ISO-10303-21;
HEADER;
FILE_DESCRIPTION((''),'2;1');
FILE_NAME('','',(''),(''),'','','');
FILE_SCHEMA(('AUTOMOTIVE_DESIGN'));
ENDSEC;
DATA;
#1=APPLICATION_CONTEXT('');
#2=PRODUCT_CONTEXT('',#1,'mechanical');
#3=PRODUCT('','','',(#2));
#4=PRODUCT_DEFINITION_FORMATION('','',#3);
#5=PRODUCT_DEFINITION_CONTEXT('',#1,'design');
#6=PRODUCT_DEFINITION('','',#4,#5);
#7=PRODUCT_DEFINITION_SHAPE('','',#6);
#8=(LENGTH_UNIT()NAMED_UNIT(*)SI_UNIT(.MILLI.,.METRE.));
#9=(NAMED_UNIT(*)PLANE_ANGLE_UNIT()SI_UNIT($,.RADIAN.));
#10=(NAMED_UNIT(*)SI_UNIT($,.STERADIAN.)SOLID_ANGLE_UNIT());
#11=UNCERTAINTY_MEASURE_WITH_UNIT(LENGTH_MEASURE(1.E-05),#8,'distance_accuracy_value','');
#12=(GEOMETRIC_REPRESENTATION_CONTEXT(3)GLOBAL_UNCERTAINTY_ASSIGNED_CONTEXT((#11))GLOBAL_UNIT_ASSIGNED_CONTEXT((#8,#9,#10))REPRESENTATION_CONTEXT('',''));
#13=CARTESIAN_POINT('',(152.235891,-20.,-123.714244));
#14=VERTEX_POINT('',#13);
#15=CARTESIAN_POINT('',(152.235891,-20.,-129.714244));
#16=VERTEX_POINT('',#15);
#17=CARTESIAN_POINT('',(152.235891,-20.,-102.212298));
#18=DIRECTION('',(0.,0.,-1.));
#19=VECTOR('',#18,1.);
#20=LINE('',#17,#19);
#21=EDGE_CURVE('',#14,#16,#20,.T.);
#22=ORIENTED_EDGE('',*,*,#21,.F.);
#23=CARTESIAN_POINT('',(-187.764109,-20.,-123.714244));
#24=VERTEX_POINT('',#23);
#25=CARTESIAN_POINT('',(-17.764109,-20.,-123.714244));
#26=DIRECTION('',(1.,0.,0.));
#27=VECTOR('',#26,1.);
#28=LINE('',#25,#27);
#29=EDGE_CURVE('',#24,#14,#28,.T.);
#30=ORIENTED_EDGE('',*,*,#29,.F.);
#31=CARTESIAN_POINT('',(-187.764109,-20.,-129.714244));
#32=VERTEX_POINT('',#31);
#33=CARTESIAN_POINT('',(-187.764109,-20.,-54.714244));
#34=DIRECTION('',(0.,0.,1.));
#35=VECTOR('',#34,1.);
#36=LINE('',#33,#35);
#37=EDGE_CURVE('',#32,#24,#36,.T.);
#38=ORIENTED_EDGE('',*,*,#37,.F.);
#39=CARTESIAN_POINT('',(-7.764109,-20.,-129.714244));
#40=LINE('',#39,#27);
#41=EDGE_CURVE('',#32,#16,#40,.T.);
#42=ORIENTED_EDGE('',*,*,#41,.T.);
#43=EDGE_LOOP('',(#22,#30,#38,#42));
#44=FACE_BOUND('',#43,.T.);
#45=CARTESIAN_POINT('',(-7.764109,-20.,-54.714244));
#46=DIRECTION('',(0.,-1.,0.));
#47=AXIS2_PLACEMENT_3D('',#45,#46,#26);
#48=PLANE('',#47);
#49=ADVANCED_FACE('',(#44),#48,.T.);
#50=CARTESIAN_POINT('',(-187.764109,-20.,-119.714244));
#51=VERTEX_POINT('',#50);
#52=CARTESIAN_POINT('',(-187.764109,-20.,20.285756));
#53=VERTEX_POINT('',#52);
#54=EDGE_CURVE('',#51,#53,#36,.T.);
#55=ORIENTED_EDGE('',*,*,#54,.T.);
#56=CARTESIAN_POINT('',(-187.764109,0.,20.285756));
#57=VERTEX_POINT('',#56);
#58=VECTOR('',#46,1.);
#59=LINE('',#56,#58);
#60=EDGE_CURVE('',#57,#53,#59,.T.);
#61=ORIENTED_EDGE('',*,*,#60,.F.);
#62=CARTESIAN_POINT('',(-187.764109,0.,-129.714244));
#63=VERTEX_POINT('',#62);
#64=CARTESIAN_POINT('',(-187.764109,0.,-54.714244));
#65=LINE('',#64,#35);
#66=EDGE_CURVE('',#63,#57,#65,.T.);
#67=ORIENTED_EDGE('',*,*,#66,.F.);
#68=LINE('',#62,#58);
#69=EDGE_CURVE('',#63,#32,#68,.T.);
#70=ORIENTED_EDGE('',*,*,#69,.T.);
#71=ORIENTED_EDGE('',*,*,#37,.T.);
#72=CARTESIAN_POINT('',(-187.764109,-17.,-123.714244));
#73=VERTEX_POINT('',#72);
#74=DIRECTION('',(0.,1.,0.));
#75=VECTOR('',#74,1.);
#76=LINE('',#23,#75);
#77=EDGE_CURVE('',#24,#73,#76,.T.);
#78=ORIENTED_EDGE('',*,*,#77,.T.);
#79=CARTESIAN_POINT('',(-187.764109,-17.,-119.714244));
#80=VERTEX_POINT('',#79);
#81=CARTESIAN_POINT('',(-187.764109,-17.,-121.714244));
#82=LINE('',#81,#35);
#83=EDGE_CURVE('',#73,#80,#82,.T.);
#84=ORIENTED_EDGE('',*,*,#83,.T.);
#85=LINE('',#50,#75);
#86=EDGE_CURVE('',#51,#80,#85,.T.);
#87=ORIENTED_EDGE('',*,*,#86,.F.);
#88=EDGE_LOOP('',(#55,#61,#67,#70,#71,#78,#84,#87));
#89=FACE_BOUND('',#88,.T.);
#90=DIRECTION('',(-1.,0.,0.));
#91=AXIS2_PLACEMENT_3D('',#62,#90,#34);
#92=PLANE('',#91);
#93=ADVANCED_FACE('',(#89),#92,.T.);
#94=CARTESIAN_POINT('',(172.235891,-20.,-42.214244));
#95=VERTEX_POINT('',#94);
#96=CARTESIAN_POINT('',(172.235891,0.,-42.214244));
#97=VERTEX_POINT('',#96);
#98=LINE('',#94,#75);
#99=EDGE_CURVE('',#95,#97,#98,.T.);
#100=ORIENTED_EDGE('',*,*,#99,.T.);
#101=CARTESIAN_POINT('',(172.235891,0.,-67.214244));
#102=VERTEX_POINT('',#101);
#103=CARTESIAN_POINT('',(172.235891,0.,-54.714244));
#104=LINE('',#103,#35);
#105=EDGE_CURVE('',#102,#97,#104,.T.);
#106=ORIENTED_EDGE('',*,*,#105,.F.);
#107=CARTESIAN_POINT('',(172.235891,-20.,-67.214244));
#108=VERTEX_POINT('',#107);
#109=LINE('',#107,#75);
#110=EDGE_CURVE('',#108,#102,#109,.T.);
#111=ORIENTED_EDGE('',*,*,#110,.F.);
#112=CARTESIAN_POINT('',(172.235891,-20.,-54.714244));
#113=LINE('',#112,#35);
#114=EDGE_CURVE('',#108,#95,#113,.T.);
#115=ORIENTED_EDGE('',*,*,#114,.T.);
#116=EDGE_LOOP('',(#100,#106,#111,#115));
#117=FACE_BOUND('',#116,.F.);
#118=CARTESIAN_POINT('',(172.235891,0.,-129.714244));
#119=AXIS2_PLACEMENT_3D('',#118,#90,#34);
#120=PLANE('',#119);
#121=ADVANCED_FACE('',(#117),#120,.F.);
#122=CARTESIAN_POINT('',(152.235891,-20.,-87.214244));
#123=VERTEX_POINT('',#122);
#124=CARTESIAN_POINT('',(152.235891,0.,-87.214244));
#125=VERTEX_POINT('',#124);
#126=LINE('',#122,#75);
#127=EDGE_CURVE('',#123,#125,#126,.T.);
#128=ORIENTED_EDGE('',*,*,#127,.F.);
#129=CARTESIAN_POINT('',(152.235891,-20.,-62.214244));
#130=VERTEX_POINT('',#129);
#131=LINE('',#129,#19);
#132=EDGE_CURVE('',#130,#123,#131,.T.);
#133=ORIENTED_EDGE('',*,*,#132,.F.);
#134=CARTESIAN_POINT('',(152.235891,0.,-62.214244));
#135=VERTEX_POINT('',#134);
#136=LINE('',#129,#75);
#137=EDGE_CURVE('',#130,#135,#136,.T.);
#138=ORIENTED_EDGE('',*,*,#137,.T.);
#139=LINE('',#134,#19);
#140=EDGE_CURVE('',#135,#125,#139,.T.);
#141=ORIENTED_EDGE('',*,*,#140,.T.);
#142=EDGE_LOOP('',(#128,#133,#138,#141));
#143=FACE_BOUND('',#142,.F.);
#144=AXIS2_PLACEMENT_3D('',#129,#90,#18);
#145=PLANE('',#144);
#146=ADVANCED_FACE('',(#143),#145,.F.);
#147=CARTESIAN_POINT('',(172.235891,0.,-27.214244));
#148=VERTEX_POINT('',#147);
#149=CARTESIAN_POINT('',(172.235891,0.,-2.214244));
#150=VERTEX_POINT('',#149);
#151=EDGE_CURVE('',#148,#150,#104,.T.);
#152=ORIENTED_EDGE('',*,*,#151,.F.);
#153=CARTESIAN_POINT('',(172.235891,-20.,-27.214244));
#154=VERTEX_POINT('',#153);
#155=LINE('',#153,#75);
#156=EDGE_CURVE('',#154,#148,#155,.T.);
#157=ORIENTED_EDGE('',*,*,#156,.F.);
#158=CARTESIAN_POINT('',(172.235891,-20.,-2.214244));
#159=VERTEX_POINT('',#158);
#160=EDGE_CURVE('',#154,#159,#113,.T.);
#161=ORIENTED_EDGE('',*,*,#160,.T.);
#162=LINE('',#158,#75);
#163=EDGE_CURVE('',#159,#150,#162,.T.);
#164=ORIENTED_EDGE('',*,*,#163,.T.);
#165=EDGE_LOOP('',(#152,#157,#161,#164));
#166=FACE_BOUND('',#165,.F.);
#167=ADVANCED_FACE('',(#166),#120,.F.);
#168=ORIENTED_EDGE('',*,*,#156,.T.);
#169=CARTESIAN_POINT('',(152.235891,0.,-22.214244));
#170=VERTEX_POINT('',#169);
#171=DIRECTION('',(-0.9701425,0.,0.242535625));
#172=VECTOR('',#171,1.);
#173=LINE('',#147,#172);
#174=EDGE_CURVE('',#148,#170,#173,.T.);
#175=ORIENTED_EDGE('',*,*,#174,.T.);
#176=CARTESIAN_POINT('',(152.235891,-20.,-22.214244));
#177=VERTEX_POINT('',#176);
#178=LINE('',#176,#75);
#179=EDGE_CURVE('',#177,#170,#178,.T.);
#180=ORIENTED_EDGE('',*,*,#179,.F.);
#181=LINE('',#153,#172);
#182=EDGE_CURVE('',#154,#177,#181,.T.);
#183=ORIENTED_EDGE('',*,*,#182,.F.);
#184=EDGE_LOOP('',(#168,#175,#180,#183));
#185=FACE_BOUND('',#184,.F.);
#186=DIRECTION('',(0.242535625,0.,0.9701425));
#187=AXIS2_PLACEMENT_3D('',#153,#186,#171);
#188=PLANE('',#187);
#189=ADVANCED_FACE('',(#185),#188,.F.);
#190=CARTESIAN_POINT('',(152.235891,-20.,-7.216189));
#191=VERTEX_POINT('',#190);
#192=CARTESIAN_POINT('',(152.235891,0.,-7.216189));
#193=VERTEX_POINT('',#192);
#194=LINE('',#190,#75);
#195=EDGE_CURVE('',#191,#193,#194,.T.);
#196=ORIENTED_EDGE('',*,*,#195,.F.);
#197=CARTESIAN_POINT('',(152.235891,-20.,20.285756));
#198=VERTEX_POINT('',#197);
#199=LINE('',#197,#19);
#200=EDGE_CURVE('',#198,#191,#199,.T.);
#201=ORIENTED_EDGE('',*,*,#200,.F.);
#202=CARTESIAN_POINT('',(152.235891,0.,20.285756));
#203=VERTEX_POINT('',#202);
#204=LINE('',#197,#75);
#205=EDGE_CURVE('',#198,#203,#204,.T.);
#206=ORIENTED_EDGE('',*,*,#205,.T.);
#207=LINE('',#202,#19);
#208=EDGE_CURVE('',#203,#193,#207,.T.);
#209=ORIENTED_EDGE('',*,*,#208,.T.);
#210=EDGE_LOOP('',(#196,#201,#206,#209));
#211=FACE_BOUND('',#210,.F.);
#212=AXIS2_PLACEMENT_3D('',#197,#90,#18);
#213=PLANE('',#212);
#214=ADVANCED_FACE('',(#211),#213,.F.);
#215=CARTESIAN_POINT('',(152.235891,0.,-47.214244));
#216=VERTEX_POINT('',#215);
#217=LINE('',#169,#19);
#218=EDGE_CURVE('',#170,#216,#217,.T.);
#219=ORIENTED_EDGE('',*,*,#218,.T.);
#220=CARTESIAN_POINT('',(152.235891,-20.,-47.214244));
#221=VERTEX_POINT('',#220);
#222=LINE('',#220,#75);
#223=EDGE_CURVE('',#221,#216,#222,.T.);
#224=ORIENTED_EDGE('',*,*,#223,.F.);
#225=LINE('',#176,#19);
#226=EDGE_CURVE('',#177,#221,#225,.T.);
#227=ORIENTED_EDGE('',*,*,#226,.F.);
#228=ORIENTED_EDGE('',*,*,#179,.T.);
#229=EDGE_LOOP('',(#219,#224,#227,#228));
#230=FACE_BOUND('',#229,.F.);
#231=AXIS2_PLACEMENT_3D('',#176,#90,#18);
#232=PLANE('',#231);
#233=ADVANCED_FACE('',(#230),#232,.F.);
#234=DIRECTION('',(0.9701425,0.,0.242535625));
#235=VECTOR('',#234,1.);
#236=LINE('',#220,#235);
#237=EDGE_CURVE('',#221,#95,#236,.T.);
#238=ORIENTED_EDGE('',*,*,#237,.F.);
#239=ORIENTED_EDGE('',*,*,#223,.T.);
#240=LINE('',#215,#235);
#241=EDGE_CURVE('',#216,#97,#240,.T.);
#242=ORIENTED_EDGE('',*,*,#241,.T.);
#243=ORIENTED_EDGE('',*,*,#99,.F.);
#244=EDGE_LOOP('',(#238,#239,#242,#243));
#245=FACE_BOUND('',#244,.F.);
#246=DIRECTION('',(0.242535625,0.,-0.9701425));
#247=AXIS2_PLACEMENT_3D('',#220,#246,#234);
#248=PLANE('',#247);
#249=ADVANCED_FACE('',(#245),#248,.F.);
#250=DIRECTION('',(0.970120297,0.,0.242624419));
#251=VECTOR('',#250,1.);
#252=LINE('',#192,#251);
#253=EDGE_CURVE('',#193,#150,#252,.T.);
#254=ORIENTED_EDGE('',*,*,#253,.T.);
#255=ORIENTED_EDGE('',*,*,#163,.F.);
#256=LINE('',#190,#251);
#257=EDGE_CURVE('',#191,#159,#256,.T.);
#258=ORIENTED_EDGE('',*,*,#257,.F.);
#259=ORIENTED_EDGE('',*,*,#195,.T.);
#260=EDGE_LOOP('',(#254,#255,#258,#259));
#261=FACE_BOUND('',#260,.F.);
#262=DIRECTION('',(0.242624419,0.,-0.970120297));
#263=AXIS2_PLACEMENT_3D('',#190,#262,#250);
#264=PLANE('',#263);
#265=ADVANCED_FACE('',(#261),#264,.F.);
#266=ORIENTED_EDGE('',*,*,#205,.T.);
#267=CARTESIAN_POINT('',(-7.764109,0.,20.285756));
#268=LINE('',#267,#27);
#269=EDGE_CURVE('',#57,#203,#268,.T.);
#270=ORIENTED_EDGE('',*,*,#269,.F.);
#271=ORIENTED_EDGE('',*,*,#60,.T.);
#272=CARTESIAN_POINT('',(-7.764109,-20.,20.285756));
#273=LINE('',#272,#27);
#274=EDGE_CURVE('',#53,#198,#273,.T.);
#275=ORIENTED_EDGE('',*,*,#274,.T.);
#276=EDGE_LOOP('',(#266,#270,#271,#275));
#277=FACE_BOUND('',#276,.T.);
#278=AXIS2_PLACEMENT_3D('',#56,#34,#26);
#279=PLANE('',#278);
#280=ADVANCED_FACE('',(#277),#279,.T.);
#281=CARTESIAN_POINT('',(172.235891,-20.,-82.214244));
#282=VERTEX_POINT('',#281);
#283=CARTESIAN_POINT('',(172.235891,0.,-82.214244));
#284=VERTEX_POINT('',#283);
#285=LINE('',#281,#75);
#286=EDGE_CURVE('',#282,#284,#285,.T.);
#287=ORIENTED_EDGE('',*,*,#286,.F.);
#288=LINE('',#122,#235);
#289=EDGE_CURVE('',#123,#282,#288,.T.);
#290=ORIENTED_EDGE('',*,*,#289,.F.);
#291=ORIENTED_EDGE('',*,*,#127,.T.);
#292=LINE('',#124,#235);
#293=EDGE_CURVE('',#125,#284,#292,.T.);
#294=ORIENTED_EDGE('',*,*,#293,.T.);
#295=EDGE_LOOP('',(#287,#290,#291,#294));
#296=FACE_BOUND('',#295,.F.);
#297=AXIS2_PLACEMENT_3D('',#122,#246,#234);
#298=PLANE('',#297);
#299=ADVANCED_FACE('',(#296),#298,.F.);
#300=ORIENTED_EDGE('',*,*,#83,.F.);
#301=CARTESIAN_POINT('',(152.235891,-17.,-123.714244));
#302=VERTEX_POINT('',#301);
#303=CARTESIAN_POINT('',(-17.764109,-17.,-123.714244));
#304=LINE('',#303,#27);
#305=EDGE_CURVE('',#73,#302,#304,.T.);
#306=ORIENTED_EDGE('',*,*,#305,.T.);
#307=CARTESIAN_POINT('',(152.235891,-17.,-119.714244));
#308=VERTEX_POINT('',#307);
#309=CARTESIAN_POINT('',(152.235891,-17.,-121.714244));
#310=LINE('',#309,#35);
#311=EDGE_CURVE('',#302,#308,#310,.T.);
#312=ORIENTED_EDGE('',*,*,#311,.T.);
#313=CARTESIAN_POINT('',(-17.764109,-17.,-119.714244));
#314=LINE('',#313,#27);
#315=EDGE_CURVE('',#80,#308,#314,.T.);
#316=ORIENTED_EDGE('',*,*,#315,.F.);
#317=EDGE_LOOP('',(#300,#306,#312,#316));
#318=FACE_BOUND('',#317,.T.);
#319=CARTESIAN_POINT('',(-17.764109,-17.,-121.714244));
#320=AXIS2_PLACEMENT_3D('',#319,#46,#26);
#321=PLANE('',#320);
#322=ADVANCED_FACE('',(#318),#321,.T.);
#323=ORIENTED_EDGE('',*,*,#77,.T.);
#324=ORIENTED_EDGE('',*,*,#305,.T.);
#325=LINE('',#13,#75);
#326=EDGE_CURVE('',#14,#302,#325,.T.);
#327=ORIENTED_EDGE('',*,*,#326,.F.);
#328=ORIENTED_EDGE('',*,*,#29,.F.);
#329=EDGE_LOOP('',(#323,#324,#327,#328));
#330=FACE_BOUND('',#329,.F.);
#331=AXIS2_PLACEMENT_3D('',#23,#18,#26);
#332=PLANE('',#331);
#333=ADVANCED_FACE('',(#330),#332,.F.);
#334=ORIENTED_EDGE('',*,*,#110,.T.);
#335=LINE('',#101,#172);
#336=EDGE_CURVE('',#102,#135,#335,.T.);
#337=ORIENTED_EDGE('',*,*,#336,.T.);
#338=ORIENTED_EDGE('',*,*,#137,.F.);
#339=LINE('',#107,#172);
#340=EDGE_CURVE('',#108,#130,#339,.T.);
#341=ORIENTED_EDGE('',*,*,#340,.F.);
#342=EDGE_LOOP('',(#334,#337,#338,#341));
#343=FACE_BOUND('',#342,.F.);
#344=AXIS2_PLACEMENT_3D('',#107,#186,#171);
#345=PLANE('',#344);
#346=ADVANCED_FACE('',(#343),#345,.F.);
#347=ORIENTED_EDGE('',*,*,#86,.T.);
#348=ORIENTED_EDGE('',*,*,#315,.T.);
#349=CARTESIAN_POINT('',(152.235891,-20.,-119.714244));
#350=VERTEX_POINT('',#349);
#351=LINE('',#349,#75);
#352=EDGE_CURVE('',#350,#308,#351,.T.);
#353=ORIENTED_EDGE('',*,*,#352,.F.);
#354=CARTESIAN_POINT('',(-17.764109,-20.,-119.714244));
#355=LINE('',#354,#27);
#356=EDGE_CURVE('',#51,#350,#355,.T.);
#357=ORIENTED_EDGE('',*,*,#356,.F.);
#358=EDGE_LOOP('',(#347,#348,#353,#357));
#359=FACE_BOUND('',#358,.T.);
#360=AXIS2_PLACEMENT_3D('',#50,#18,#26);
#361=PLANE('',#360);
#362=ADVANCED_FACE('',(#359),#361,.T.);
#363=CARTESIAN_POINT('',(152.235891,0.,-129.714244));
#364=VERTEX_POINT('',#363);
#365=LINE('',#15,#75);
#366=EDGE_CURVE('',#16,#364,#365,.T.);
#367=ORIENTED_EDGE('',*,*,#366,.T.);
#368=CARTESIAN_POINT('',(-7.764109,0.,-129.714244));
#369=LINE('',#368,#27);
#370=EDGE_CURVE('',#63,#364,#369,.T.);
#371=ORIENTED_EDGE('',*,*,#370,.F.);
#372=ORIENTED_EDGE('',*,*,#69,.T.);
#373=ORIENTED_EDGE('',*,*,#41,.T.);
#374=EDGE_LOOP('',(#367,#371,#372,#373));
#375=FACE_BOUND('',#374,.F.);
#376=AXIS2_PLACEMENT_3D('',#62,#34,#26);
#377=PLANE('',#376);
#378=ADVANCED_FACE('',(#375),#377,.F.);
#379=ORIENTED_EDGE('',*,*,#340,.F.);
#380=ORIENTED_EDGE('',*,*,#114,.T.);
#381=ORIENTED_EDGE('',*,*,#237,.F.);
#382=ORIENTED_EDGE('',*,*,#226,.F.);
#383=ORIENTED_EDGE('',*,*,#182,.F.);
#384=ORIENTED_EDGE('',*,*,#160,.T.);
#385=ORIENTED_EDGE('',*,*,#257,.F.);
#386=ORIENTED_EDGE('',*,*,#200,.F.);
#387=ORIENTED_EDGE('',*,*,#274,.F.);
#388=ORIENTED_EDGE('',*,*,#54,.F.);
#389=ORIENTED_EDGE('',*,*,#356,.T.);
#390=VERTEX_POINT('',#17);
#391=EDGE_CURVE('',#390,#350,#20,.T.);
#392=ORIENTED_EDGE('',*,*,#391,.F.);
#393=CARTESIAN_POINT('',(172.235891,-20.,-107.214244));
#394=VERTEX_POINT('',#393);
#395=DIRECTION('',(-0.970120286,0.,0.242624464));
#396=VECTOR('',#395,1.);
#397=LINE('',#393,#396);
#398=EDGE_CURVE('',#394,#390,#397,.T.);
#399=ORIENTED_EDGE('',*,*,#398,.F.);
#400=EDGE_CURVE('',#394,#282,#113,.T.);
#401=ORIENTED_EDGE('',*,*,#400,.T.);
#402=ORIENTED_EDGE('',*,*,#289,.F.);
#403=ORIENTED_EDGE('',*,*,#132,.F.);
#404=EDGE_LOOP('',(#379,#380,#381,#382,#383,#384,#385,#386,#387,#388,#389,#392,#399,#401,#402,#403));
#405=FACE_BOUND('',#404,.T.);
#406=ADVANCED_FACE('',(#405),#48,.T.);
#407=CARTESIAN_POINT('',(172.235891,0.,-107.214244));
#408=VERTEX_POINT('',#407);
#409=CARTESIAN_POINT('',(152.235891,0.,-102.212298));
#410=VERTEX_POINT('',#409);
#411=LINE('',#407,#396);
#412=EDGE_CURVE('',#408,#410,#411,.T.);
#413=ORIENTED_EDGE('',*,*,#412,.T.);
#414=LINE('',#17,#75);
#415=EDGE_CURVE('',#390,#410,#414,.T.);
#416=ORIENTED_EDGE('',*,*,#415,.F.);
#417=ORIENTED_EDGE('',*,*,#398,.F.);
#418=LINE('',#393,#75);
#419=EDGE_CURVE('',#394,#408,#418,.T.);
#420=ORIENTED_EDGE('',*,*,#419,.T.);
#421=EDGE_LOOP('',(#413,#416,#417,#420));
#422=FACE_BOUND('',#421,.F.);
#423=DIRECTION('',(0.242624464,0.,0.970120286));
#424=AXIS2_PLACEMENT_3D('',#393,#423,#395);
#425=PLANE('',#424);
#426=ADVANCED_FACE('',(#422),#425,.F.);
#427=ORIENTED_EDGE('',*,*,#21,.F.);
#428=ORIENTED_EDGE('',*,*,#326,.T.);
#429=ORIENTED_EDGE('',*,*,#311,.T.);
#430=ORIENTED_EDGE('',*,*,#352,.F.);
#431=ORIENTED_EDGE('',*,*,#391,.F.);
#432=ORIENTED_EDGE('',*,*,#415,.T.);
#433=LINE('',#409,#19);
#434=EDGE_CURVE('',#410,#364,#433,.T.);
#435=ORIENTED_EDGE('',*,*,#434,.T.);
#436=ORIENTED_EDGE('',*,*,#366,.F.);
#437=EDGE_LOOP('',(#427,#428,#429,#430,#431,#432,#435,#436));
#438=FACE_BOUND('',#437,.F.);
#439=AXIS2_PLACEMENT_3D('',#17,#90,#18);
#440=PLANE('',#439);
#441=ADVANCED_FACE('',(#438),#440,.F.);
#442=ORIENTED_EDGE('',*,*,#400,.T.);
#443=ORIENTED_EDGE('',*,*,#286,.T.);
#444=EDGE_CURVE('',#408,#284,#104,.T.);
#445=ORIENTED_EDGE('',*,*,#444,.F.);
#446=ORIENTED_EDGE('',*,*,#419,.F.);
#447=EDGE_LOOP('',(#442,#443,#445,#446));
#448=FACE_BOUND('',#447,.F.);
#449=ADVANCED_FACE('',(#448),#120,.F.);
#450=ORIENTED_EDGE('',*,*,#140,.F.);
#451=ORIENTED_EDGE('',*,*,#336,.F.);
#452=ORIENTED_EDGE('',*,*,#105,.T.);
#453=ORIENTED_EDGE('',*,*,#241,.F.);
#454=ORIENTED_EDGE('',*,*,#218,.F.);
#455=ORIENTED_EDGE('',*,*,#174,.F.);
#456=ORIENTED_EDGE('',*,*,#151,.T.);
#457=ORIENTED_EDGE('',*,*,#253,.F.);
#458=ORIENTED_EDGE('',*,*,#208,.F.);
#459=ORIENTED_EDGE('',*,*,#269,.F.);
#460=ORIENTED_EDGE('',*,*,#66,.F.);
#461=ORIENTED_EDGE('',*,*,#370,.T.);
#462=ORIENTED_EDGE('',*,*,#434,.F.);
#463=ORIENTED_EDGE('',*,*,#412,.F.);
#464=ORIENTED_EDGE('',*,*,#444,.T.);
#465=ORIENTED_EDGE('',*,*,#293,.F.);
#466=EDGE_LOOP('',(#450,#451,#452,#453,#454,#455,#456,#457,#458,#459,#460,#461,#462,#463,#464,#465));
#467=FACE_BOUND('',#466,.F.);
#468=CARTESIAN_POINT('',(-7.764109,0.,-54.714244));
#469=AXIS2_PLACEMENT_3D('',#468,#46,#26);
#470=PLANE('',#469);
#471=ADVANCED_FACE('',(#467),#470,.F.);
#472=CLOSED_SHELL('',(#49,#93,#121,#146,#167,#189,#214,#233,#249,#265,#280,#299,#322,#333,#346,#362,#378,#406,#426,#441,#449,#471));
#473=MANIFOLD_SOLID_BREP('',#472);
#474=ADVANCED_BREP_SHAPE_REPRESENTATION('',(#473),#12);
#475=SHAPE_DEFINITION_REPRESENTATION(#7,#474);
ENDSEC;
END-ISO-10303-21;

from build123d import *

# Parameters (mm, degrees)
F0_W     = 360
F0_H     = 150
F1_DEPTH = 20
F3_DEPTH = 20
F4_W     = 340
F4_H     = 4
F5_DEPTH = 3


with BuildPart() as f1:
    # F0 (on Front) → F1 (new body)
    with BuildSketch(Plane.XZ):
        with Locations((-7.764109, -54.714244)):
            Rectangle(F0_W, F0_H)
    extrude(amount=F1_DEPTH)

    # F2 (on face) → F3 (cut)
    with BuildSketch(Plane.XZ.offset(20)):
        Polygon((172.235891, -27.214244), (152.235891, -22.214244), (152.235891, -47.214244), (172.235891, -42.214244), align=None)
        Polygon((172.235891, -67.214244), (152.235891, -62.214244), (152.235891, -87.214244), (172.235891, -82.214244), align=None)
        Polygon((152.235891, -102.212298), (152.235891, -127.216189), (172.235891, -122.214244), (172.235891, -107.214244), align=None)
        Polygon((172.235891, 12.785756), (152.235891, 17.787702), (152.235891, -7.216189), (172.235891, -2.214244), align=None)
        Polygon((172.235891, 20.285756), (152.235891, 20.285756), (152.235891, 17.787702), (172.235891, 12.785756), align=None)
        Polygon((152.235891, -127.216189), (152.235891, -129.714244), (172.235891, -129.714244), (172.235891, -122.214244), align=None)
    extrude(amount=-F3_DEPTH, mode=Mode.SUBTRACT)

    # F4 (on face) → F5 (cut)
    with BuildSketch(Plane.XZ.offset(20)):
        with Locations((-17.764109, -121.714244)):
            Rectangle(F4_W, F4_H)
    extrude(amount=-F5_DEPTH, mode=Mode.SUBTRACT)


solid = f1.part
